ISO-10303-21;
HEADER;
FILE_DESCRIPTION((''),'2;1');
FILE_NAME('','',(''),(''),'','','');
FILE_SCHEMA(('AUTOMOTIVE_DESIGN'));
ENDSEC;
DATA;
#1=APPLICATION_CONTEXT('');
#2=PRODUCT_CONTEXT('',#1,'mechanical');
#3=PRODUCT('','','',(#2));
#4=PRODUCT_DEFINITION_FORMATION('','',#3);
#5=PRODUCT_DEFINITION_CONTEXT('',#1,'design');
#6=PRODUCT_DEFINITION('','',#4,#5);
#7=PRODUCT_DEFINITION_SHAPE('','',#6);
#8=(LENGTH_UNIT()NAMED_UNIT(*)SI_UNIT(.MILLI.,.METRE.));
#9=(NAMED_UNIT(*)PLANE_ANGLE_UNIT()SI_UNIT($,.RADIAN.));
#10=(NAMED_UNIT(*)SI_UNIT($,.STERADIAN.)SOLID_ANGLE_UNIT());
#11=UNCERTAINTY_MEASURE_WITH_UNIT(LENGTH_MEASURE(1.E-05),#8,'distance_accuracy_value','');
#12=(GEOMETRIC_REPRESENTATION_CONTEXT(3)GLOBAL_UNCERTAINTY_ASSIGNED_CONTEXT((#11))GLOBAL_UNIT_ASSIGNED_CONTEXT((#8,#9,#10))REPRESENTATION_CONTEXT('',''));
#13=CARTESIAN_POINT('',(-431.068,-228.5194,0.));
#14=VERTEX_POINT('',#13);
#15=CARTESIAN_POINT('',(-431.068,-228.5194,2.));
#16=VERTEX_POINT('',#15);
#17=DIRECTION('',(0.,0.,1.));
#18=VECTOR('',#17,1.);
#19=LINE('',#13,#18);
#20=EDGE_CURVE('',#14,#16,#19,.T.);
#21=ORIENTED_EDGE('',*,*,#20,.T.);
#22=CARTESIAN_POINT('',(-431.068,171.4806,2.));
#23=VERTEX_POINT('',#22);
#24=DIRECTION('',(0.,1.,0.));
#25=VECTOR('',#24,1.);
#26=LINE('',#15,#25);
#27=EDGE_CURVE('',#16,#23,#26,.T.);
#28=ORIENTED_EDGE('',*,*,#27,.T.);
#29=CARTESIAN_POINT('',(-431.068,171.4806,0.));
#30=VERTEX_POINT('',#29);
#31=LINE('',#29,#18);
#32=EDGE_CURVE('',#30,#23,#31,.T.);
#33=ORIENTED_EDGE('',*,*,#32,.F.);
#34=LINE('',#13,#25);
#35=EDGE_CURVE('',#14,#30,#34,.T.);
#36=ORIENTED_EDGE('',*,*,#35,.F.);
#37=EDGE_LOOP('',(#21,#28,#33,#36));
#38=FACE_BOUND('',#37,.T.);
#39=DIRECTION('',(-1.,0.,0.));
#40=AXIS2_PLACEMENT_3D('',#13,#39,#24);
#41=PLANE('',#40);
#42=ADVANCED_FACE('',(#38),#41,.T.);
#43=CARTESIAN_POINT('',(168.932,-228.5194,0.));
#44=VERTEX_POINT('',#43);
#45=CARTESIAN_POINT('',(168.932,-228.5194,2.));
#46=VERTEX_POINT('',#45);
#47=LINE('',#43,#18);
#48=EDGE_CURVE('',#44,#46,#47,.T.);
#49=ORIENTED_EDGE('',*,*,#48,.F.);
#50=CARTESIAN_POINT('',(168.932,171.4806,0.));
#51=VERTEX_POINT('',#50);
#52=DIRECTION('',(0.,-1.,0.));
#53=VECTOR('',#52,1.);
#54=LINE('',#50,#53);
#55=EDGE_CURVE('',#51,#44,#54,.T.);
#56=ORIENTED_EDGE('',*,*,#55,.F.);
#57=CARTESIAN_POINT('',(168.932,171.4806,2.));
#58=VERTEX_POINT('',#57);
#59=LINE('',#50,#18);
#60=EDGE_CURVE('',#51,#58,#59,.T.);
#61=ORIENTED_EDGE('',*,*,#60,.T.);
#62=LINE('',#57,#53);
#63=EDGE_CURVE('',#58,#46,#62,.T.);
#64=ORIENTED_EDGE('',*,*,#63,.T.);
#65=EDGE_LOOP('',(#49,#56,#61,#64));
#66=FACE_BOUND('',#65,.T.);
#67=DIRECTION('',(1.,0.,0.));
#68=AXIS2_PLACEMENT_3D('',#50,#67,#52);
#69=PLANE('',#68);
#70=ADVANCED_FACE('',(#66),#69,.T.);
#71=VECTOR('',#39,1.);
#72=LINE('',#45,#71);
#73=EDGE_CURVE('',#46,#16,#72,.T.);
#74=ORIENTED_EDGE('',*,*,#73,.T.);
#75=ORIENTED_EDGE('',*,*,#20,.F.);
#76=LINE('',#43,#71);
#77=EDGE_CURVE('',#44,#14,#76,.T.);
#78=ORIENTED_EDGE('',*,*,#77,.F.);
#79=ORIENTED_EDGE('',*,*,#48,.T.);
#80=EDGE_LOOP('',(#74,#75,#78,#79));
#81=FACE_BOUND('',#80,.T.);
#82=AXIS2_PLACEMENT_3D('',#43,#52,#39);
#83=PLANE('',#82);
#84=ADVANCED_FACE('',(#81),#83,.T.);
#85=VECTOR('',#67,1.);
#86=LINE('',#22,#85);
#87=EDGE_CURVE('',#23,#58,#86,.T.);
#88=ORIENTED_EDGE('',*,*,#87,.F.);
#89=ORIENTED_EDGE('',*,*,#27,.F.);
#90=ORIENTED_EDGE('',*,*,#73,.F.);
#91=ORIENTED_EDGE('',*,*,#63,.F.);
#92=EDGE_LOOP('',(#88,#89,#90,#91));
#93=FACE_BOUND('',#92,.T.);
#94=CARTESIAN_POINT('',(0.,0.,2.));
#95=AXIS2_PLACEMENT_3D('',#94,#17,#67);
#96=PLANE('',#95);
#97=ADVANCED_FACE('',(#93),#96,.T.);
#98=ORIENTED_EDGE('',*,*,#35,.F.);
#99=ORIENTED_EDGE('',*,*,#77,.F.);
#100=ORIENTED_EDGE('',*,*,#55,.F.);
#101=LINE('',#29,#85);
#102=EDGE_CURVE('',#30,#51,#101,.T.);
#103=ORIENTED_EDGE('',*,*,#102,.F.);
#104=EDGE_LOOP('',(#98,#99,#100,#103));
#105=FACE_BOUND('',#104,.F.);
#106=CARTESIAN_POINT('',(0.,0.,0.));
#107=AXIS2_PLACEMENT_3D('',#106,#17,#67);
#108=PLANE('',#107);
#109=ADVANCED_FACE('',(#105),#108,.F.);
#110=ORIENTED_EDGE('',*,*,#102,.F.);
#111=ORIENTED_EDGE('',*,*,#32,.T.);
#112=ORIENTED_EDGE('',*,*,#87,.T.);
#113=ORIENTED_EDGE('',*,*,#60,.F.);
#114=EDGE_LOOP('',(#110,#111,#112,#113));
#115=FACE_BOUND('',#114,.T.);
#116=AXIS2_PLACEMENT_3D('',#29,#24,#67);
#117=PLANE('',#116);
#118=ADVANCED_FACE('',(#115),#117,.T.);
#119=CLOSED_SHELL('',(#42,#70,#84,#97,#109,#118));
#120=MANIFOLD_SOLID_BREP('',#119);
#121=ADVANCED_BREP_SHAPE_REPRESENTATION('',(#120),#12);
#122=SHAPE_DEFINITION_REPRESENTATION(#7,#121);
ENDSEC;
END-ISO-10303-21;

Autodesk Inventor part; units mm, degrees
ref_plane "YZ Plane" through (0, 0, 0) normal (1, 0, 0) x (0, 1, 0)
ref_plane "XZ Plane" through (0, 0, 0) normal (0, 1, 0) x (-1, 0, 0)
ref_plane "XY Plane" through (0, 0, 0) normal (0, 0, 1) x (1, 0, 0)
sketch "Sketch1" plane through (0, 0, 0) normal (0, 0, 1) x (1, 0, 0)
  line L0 (-431.068, 171.4806) -> (168.932, 171.4806)
  line L1 (168.932, 171.4806) -> (168.932, -228.5194)
  line L2 (168.932, -228.5194) -> (-431.068, -228.5194)
  line L3 (-431.068, -228.5194) -> (-431.068, 171.4806)
  point P0 (0, 0)
  dimension "d0" = 600
  dimension "d1" = 400
extrude "Extrusion1" add sketch "Sketch1" along normal blind 2
properties part number "600_300_3"
